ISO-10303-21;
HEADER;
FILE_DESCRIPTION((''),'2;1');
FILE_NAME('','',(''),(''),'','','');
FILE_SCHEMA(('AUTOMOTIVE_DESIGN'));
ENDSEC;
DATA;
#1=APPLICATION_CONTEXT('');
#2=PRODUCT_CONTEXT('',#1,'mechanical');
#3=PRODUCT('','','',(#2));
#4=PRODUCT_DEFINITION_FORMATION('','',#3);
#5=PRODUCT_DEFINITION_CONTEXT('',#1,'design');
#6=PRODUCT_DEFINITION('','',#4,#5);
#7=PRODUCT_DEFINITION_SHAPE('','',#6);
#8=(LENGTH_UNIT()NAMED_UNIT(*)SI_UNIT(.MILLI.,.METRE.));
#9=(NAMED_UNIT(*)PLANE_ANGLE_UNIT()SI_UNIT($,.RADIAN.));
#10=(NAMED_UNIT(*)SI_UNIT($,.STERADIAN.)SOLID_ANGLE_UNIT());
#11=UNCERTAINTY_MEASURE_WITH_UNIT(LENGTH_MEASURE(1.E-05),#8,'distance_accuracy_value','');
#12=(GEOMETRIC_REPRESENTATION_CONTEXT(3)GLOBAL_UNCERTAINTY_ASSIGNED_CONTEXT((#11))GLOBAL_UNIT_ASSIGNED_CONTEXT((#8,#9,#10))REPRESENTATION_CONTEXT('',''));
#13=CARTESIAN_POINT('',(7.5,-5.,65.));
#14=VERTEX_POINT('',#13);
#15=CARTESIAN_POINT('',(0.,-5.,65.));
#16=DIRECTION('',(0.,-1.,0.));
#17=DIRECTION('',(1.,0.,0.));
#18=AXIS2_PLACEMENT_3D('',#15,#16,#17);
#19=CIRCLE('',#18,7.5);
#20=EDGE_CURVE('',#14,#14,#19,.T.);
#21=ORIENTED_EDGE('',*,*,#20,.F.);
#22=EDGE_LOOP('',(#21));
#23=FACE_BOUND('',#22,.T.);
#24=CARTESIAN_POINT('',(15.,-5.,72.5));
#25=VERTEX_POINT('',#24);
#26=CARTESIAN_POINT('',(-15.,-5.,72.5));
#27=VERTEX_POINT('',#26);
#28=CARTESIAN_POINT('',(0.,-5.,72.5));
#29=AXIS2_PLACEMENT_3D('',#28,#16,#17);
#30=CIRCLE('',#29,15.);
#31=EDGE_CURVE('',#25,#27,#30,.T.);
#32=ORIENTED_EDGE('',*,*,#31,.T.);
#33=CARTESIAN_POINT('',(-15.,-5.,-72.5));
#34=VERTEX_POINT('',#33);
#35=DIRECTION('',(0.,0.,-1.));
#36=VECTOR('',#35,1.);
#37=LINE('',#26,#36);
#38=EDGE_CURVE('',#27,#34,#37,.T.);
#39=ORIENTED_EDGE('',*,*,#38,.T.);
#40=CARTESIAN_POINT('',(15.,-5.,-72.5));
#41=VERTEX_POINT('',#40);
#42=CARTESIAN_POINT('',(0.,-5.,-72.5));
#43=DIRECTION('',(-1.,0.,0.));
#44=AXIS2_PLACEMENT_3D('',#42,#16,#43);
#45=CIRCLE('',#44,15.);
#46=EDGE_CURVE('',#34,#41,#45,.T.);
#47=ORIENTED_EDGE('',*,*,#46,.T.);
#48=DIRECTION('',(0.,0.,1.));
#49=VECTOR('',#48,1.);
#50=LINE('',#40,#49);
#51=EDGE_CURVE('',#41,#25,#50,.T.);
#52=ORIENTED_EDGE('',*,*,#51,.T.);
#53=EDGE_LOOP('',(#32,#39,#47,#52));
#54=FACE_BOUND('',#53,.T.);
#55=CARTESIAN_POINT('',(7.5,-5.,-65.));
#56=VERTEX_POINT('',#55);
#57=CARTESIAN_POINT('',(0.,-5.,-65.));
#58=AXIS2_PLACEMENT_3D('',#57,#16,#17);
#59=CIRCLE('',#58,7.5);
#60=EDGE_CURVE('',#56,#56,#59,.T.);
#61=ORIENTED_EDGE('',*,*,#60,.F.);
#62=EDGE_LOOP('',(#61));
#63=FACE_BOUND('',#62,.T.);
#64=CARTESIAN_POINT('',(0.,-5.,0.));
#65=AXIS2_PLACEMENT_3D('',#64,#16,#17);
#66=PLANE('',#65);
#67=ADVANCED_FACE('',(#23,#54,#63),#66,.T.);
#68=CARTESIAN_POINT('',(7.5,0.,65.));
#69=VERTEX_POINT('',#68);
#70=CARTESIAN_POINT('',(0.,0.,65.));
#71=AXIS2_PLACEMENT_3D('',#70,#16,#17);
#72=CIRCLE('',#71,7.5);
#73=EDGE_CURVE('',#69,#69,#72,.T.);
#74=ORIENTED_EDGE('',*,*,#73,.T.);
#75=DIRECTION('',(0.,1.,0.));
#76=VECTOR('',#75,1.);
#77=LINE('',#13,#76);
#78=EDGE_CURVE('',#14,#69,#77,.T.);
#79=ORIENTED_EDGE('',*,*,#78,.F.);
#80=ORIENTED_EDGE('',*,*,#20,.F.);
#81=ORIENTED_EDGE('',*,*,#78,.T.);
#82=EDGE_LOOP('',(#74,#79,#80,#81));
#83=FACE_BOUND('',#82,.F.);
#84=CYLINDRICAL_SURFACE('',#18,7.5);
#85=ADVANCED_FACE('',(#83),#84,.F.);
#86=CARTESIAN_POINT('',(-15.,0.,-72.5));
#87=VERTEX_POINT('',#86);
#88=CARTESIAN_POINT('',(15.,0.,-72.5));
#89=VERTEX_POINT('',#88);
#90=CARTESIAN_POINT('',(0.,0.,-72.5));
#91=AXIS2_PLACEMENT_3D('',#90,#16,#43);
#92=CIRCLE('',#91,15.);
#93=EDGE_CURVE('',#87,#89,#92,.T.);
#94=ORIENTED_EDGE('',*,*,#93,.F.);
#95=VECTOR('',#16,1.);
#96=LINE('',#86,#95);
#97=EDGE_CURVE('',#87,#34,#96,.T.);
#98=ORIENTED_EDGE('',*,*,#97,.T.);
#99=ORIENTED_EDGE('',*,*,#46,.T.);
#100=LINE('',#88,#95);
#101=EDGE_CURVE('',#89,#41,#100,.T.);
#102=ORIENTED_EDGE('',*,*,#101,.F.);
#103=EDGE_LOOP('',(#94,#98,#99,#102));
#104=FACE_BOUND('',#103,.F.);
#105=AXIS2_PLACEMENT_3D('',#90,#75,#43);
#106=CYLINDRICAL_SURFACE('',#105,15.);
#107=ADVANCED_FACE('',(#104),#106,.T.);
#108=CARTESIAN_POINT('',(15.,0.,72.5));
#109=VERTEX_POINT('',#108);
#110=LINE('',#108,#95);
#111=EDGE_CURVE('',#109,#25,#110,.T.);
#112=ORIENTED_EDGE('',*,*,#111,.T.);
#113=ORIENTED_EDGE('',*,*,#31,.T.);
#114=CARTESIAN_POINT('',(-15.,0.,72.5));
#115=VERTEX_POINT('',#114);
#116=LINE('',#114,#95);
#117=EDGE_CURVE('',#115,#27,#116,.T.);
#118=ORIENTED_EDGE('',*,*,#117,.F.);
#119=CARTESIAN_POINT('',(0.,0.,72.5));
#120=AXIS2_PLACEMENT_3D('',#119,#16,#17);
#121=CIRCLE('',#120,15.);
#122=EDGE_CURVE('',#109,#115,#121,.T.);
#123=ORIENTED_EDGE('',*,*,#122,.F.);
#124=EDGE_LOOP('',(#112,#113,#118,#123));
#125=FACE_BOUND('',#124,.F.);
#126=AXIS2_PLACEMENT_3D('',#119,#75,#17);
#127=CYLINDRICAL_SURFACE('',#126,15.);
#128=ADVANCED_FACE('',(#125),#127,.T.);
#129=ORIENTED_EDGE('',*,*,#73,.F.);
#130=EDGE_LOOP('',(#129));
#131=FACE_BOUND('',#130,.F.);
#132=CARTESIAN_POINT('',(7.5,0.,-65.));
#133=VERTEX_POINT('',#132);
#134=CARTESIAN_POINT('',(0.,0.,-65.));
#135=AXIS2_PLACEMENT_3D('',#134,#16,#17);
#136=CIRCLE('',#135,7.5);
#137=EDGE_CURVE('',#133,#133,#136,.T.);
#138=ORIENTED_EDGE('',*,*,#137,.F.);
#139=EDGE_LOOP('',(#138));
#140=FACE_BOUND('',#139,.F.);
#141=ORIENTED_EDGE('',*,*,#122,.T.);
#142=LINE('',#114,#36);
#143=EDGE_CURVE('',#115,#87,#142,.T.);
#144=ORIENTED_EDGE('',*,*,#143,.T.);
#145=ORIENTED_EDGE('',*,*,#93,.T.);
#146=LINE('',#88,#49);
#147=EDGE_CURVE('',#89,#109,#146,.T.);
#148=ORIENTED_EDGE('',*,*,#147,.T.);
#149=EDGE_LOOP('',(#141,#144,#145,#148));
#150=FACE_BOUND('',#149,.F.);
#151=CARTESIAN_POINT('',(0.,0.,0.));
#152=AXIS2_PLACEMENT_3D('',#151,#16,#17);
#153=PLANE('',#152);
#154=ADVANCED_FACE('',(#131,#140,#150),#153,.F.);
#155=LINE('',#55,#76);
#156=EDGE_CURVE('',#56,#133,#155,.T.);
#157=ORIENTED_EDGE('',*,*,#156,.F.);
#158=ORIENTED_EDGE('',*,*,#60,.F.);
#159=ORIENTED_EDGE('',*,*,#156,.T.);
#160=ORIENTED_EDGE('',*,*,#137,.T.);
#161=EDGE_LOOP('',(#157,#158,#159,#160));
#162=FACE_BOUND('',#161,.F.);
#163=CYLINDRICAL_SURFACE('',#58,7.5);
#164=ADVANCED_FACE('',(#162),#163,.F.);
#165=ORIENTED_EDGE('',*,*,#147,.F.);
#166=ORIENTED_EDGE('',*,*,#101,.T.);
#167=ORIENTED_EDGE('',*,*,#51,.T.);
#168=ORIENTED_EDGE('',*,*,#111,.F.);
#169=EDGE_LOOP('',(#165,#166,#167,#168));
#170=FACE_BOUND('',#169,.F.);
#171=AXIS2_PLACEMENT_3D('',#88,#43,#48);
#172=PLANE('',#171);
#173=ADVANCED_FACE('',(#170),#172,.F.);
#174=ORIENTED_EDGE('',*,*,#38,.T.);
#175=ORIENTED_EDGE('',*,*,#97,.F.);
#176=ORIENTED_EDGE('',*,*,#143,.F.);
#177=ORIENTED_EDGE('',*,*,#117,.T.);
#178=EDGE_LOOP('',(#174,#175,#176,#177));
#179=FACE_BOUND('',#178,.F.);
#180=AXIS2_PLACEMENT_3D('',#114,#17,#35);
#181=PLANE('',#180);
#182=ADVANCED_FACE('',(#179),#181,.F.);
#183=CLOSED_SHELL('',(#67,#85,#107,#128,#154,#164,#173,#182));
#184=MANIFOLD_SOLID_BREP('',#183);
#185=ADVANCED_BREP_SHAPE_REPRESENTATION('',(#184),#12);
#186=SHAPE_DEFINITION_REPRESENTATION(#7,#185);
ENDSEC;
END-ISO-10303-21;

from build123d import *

# Parameters (mm, degrees)
F1_DEPTH = 5
F2_R     = 7.5
F3_DEPTH = 25


with BuildPart() as f1:
    # F0 (on Front) → F1 (new body)
    with BuildSketch(Plane.XZ):
        with BuildLine():
            Line((15, -72.5), (15, 72.5))
            ThreePointArc((15, 72.5), (0, 87.5), (-15, 72.5))
            Line((-15, 72.5), (-15, -72.5))
            ThreePointArc((-15, -72.5), (0, -87.5), (15, -72.5))
        make_face()
    extrude(amount=F1_DEPTH)

    # F2 (on face) → F3 (cut)
    with BuildSketch(Plane.XZ.offset(5)):
        with Locations((0, 65)):
            Circle(F2_R)
        with Locations((0, -65)):
            Circle(F2_R)
    extrude(amount=-F3_DEPTH, mode=Mode.SUBTRACT)


solid = f1.part
